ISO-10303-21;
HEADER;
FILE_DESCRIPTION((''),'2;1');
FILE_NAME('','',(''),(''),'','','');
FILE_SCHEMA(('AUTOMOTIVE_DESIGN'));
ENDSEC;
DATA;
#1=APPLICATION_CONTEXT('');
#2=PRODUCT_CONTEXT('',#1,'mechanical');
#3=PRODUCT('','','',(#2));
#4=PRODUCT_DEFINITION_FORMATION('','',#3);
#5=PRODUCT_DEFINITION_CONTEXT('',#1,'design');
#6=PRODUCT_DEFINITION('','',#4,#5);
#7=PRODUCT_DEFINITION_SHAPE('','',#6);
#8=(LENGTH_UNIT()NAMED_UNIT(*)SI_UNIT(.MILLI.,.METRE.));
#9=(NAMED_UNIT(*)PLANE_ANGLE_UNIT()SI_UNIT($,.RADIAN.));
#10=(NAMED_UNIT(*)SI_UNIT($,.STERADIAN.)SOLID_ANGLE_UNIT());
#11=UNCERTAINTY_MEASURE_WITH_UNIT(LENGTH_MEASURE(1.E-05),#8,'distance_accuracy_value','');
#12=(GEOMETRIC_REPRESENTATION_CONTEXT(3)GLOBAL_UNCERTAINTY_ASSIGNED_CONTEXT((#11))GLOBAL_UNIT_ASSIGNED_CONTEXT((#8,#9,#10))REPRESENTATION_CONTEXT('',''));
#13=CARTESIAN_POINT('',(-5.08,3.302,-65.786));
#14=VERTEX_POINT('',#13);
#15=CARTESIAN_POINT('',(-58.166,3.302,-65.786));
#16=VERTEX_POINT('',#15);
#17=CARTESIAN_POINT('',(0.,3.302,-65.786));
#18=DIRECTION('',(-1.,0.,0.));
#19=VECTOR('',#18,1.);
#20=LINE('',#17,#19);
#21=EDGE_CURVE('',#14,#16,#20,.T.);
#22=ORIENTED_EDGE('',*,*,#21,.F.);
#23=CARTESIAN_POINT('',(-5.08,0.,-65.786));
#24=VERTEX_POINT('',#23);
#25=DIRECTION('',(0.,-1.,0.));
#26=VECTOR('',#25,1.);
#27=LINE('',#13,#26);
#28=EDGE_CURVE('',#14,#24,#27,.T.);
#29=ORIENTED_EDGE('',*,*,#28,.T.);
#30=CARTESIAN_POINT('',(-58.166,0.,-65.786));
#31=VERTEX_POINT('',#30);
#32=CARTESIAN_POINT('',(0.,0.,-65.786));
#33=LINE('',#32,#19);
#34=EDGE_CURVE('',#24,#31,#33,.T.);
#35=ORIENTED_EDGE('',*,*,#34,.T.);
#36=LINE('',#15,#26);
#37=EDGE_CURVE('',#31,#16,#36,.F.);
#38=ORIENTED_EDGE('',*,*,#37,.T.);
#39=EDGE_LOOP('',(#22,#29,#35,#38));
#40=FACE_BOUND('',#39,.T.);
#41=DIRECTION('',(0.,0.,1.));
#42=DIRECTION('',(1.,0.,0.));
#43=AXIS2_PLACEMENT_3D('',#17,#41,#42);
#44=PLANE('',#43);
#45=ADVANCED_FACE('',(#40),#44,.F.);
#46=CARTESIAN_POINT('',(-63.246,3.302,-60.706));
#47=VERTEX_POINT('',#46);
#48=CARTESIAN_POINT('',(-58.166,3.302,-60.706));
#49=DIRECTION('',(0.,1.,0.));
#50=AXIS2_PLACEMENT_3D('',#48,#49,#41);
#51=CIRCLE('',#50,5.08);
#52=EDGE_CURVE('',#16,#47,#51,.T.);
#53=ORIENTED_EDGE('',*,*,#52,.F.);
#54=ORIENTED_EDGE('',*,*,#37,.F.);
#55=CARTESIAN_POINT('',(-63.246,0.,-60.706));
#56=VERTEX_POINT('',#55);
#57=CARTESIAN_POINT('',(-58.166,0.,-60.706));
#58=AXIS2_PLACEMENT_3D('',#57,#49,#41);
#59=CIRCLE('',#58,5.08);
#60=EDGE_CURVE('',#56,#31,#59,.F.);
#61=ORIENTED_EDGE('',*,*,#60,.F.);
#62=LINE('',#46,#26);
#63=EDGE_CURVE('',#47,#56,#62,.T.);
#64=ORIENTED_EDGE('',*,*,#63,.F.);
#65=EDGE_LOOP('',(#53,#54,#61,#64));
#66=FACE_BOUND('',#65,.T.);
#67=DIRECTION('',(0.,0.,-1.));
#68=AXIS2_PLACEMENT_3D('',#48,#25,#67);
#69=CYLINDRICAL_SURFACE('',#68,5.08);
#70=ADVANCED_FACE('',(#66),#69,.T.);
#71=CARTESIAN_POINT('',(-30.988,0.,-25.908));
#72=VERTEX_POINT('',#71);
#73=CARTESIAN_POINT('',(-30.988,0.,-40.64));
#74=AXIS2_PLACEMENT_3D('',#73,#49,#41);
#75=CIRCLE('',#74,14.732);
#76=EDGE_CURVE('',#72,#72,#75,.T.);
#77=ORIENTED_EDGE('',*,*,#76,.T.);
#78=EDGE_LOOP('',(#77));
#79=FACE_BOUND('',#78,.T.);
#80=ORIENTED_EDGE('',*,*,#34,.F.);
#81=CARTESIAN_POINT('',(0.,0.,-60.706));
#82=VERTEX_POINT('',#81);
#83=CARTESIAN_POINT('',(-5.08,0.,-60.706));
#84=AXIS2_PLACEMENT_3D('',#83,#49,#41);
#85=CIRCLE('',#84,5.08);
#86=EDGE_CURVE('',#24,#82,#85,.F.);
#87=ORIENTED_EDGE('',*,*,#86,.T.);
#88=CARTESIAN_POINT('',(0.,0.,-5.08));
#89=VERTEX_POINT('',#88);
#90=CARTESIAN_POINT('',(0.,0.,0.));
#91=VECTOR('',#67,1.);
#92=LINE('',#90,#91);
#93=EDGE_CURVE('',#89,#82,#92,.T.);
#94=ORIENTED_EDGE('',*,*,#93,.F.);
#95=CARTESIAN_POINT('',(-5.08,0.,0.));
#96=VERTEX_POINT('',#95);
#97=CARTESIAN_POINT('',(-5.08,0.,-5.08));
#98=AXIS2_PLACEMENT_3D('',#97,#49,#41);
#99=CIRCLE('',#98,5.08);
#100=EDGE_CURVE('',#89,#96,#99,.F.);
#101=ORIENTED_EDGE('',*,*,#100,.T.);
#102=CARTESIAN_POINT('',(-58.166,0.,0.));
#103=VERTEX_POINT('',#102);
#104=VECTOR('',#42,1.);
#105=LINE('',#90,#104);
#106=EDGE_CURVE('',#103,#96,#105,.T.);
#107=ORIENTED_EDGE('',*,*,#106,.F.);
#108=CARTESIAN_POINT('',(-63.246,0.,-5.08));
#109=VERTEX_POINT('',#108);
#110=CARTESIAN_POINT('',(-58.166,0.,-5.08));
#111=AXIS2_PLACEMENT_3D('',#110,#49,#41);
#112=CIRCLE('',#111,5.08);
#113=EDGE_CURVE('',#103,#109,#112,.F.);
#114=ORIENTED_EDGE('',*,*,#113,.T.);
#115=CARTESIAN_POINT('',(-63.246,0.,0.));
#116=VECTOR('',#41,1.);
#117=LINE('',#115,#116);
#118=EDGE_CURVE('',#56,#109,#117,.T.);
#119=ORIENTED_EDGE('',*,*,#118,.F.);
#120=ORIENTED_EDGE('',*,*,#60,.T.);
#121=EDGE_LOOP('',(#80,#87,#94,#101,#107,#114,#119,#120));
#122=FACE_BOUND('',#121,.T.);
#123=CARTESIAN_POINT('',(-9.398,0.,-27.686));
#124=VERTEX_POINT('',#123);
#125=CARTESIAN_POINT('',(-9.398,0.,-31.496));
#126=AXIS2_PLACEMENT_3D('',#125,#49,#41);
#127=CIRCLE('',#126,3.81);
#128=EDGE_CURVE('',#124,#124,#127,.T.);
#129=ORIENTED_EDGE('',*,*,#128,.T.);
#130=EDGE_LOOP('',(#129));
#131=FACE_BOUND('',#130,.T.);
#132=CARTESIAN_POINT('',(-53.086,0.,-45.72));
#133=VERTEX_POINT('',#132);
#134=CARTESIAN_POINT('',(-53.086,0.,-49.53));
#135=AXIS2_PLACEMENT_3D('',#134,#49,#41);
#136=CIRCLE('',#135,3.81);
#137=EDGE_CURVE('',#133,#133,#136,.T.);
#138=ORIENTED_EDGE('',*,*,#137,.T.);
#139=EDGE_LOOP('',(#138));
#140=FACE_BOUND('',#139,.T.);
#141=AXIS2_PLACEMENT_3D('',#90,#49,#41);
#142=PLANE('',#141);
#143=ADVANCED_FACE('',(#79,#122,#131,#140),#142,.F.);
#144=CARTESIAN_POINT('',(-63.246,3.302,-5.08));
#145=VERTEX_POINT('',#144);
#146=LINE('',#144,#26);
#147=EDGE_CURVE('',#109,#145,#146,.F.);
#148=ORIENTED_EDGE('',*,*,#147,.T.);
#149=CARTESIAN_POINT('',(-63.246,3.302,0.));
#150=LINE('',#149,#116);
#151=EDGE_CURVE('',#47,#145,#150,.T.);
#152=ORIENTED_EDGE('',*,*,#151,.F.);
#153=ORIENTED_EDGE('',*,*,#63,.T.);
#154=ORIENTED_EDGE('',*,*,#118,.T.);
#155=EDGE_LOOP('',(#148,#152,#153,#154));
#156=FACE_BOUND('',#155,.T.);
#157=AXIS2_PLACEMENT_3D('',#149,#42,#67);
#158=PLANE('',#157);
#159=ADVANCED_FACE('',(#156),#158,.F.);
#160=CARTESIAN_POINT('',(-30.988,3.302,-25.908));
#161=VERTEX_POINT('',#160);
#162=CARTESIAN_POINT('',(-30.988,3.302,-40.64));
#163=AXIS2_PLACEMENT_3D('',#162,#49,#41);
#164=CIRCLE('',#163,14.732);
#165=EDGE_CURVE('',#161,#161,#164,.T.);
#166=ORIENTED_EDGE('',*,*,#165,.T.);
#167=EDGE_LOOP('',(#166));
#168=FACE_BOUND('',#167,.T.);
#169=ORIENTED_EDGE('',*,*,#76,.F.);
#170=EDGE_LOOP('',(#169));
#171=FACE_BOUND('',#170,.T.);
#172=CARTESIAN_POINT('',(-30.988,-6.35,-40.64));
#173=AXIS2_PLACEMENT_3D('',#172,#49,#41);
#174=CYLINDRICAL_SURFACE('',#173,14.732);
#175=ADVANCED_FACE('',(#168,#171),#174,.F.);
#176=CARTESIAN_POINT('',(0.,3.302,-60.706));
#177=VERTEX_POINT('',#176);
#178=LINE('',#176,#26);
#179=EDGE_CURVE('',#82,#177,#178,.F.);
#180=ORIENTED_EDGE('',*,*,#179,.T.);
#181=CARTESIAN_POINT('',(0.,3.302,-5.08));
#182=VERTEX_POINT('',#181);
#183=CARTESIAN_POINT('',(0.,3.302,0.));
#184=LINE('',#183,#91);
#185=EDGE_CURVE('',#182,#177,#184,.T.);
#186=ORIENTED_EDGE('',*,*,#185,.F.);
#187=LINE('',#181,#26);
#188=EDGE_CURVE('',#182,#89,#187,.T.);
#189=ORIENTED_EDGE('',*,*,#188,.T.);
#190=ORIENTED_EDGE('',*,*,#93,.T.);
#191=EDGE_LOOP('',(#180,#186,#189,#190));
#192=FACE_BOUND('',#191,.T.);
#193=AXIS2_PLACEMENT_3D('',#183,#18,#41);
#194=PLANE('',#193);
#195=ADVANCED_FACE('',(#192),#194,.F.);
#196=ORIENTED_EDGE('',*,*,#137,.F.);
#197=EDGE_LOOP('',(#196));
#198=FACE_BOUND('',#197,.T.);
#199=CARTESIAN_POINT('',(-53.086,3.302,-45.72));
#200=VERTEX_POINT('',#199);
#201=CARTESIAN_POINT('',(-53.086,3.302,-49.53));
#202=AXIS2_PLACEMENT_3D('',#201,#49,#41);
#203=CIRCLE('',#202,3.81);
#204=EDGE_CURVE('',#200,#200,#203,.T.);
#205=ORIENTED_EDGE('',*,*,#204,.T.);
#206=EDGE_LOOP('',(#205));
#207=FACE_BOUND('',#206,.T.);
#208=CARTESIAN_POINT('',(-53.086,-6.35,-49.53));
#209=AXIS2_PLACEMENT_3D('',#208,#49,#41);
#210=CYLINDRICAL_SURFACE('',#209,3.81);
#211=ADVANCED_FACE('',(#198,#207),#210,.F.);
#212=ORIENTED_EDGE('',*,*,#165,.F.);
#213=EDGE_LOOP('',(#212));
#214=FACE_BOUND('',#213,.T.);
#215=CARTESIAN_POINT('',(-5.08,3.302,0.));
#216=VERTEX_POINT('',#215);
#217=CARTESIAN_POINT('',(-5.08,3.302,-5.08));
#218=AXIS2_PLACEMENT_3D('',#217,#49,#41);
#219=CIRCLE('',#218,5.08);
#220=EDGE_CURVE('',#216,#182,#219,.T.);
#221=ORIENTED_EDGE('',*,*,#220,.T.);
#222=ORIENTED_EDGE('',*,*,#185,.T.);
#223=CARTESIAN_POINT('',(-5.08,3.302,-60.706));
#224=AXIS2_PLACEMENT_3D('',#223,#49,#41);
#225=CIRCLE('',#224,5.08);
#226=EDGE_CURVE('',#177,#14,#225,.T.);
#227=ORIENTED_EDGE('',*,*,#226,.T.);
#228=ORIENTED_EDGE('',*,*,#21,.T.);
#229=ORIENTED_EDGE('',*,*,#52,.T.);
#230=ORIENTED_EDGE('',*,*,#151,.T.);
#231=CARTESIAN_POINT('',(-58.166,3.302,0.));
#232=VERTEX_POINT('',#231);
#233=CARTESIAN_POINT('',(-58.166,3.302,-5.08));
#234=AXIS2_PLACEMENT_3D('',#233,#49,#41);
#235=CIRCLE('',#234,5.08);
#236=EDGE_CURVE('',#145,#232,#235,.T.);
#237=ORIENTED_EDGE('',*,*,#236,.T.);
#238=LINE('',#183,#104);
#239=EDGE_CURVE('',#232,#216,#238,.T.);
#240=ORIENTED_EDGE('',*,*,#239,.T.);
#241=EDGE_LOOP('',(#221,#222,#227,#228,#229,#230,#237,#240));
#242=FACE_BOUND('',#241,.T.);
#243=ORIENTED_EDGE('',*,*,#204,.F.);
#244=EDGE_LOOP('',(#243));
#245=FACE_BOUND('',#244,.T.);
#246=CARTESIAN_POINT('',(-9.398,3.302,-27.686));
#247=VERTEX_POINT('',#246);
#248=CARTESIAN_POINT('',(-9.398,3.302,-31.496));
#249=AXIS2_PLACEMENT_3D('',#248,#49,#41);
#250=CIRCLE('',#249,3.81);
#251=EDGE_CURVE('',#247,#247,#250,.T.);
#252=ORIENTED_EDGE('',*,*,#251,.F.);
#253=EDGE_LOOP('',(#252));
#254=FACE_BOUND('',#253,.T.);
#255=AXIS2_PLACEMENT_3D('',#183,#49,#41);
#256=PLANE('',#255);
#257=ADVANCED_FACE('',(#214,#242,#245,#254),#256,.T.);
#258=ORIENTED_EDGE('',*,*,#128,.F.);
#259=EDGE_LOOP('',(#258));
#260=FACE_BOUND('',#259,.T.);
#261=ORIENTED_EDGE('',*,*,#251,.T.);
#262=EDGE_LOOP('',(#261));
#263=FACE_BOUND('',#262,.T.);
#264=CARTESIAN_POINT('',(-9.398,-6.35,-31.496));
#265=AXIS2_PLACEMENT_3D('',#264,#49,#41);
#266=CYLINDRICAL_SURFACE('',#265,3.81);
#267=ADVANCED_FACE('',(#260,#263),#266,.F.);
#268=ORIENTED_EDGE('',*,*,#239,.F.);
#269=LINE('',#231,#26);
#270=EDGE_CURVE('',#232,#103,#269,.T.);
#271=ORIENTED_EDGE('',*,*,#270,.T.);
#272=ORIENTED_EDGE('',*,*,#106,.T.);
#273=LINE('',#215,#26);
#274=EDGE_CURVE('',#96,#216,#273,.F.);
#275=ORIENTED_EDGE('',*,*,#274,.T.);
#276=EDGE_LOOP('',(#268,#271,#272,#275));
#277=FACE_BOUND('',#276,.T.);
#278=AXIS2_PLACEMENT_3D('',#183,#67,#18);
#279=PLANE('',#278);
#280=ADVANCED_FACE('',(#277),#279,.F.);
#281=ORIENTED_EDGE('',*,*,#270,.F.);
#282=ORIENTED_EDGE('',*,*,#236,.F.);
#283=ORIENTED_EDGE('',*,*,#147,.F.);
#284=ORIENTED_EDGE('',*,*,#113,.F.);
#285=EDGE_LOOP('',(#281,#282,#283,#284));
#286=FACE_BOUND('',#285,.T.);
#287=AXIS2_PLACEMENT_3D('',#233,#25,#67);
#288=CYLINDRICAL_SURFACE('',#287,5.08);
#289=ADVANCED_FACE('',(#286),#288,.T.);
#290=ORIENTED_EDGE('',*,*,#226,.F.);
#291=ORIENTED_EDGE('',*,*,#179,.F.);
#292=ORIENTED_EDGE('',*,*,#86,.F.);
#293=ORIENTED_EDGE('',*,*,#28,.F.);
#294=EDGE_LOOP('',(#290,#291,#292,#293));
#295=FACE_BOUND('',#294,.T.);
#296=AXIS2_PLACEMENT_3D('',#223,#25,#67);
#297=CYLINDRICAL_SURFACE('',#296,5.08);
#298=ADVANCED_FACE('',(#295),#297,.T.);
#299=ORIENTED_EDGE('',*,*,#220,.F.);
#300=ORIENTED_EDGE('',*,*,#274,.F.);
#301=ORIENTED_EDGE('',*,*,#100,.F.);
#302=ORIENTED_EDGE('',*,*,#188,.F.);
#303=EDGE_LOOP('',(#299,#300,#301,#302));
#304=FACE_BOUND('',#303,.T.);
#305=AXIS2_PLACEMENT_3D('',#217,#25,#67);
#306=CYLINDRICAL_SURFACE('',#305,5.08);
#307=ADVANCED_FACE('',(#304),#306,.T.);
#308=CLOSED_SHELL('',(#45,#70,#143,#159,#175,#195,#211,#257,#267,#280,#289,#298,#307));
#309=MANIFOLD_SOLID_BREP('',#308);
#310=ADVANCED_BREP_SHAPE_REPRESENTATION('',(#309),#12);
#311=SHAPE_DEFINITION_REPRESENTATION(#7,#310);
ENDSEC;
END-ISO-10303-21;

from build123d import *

# Parameters (mm, degrees)
SKETCH1_W           = 63.246
SKETCH1_H           = 65.786
BOSS_EXTRUDE1_DEPTH = 3.302
FILLET2_R           = 5.08
SKETCH2_R           = 14.732
SKETCH2_R_2         = 3.81
CUT_EXTRUDE1_DEPTH  = 9.652


with BuildPart() as part:
    # Sketch1 → Boss-Extrude1 (new body)
    with BuildSketch(Plane(origin=(0, 0, 0), x_dir=(1, 0, 0), z_dir=(0, 1, 0))):
        with Locations((-31.623, 32.893)):
            Rectangle(SKETCH1_W, SKETCH1_H)
    extrude(amount=BOSS_EXTRUDE1_DEPTH)

    # Fillet2
    fillet2_edges = [part.edges().sort_by_distance(p)[0] for p in [
        (0, 1.651, 0),
        (-63.246, 1.651, 0),
        (-63.246, 1.651, -65.786),
        (0, 1.651, -65.786),
    ]]
    fillet(fillet2_edges, radius=FILLET2_R)

    # Sketch2 → Cut-Extrude1 (cut)
    with BuildSketch(Plane(origin=(0, 3.302, 0), x_dir=(1, 0, 0), z_dir=(0, 1, 0))):
        with Locations(Location((-30.988, 40.64, 0), (0, 0, 270))):
            Circle(SKETCH2_R)
        with Locations(Location((-53.086, 49.53, 0), (0, 0, 270))):
            Circle(SKETCH2_R_2)
        with Locations(Location((-9.398, 31.496, 0), (0, 0, 270))):
            Circle(SKETCH2_R_2)
    extrude(amount=-CUT_EXTRUDE1_DEPTH, mode=Mode.SUBTRACT)


solid = part.part
